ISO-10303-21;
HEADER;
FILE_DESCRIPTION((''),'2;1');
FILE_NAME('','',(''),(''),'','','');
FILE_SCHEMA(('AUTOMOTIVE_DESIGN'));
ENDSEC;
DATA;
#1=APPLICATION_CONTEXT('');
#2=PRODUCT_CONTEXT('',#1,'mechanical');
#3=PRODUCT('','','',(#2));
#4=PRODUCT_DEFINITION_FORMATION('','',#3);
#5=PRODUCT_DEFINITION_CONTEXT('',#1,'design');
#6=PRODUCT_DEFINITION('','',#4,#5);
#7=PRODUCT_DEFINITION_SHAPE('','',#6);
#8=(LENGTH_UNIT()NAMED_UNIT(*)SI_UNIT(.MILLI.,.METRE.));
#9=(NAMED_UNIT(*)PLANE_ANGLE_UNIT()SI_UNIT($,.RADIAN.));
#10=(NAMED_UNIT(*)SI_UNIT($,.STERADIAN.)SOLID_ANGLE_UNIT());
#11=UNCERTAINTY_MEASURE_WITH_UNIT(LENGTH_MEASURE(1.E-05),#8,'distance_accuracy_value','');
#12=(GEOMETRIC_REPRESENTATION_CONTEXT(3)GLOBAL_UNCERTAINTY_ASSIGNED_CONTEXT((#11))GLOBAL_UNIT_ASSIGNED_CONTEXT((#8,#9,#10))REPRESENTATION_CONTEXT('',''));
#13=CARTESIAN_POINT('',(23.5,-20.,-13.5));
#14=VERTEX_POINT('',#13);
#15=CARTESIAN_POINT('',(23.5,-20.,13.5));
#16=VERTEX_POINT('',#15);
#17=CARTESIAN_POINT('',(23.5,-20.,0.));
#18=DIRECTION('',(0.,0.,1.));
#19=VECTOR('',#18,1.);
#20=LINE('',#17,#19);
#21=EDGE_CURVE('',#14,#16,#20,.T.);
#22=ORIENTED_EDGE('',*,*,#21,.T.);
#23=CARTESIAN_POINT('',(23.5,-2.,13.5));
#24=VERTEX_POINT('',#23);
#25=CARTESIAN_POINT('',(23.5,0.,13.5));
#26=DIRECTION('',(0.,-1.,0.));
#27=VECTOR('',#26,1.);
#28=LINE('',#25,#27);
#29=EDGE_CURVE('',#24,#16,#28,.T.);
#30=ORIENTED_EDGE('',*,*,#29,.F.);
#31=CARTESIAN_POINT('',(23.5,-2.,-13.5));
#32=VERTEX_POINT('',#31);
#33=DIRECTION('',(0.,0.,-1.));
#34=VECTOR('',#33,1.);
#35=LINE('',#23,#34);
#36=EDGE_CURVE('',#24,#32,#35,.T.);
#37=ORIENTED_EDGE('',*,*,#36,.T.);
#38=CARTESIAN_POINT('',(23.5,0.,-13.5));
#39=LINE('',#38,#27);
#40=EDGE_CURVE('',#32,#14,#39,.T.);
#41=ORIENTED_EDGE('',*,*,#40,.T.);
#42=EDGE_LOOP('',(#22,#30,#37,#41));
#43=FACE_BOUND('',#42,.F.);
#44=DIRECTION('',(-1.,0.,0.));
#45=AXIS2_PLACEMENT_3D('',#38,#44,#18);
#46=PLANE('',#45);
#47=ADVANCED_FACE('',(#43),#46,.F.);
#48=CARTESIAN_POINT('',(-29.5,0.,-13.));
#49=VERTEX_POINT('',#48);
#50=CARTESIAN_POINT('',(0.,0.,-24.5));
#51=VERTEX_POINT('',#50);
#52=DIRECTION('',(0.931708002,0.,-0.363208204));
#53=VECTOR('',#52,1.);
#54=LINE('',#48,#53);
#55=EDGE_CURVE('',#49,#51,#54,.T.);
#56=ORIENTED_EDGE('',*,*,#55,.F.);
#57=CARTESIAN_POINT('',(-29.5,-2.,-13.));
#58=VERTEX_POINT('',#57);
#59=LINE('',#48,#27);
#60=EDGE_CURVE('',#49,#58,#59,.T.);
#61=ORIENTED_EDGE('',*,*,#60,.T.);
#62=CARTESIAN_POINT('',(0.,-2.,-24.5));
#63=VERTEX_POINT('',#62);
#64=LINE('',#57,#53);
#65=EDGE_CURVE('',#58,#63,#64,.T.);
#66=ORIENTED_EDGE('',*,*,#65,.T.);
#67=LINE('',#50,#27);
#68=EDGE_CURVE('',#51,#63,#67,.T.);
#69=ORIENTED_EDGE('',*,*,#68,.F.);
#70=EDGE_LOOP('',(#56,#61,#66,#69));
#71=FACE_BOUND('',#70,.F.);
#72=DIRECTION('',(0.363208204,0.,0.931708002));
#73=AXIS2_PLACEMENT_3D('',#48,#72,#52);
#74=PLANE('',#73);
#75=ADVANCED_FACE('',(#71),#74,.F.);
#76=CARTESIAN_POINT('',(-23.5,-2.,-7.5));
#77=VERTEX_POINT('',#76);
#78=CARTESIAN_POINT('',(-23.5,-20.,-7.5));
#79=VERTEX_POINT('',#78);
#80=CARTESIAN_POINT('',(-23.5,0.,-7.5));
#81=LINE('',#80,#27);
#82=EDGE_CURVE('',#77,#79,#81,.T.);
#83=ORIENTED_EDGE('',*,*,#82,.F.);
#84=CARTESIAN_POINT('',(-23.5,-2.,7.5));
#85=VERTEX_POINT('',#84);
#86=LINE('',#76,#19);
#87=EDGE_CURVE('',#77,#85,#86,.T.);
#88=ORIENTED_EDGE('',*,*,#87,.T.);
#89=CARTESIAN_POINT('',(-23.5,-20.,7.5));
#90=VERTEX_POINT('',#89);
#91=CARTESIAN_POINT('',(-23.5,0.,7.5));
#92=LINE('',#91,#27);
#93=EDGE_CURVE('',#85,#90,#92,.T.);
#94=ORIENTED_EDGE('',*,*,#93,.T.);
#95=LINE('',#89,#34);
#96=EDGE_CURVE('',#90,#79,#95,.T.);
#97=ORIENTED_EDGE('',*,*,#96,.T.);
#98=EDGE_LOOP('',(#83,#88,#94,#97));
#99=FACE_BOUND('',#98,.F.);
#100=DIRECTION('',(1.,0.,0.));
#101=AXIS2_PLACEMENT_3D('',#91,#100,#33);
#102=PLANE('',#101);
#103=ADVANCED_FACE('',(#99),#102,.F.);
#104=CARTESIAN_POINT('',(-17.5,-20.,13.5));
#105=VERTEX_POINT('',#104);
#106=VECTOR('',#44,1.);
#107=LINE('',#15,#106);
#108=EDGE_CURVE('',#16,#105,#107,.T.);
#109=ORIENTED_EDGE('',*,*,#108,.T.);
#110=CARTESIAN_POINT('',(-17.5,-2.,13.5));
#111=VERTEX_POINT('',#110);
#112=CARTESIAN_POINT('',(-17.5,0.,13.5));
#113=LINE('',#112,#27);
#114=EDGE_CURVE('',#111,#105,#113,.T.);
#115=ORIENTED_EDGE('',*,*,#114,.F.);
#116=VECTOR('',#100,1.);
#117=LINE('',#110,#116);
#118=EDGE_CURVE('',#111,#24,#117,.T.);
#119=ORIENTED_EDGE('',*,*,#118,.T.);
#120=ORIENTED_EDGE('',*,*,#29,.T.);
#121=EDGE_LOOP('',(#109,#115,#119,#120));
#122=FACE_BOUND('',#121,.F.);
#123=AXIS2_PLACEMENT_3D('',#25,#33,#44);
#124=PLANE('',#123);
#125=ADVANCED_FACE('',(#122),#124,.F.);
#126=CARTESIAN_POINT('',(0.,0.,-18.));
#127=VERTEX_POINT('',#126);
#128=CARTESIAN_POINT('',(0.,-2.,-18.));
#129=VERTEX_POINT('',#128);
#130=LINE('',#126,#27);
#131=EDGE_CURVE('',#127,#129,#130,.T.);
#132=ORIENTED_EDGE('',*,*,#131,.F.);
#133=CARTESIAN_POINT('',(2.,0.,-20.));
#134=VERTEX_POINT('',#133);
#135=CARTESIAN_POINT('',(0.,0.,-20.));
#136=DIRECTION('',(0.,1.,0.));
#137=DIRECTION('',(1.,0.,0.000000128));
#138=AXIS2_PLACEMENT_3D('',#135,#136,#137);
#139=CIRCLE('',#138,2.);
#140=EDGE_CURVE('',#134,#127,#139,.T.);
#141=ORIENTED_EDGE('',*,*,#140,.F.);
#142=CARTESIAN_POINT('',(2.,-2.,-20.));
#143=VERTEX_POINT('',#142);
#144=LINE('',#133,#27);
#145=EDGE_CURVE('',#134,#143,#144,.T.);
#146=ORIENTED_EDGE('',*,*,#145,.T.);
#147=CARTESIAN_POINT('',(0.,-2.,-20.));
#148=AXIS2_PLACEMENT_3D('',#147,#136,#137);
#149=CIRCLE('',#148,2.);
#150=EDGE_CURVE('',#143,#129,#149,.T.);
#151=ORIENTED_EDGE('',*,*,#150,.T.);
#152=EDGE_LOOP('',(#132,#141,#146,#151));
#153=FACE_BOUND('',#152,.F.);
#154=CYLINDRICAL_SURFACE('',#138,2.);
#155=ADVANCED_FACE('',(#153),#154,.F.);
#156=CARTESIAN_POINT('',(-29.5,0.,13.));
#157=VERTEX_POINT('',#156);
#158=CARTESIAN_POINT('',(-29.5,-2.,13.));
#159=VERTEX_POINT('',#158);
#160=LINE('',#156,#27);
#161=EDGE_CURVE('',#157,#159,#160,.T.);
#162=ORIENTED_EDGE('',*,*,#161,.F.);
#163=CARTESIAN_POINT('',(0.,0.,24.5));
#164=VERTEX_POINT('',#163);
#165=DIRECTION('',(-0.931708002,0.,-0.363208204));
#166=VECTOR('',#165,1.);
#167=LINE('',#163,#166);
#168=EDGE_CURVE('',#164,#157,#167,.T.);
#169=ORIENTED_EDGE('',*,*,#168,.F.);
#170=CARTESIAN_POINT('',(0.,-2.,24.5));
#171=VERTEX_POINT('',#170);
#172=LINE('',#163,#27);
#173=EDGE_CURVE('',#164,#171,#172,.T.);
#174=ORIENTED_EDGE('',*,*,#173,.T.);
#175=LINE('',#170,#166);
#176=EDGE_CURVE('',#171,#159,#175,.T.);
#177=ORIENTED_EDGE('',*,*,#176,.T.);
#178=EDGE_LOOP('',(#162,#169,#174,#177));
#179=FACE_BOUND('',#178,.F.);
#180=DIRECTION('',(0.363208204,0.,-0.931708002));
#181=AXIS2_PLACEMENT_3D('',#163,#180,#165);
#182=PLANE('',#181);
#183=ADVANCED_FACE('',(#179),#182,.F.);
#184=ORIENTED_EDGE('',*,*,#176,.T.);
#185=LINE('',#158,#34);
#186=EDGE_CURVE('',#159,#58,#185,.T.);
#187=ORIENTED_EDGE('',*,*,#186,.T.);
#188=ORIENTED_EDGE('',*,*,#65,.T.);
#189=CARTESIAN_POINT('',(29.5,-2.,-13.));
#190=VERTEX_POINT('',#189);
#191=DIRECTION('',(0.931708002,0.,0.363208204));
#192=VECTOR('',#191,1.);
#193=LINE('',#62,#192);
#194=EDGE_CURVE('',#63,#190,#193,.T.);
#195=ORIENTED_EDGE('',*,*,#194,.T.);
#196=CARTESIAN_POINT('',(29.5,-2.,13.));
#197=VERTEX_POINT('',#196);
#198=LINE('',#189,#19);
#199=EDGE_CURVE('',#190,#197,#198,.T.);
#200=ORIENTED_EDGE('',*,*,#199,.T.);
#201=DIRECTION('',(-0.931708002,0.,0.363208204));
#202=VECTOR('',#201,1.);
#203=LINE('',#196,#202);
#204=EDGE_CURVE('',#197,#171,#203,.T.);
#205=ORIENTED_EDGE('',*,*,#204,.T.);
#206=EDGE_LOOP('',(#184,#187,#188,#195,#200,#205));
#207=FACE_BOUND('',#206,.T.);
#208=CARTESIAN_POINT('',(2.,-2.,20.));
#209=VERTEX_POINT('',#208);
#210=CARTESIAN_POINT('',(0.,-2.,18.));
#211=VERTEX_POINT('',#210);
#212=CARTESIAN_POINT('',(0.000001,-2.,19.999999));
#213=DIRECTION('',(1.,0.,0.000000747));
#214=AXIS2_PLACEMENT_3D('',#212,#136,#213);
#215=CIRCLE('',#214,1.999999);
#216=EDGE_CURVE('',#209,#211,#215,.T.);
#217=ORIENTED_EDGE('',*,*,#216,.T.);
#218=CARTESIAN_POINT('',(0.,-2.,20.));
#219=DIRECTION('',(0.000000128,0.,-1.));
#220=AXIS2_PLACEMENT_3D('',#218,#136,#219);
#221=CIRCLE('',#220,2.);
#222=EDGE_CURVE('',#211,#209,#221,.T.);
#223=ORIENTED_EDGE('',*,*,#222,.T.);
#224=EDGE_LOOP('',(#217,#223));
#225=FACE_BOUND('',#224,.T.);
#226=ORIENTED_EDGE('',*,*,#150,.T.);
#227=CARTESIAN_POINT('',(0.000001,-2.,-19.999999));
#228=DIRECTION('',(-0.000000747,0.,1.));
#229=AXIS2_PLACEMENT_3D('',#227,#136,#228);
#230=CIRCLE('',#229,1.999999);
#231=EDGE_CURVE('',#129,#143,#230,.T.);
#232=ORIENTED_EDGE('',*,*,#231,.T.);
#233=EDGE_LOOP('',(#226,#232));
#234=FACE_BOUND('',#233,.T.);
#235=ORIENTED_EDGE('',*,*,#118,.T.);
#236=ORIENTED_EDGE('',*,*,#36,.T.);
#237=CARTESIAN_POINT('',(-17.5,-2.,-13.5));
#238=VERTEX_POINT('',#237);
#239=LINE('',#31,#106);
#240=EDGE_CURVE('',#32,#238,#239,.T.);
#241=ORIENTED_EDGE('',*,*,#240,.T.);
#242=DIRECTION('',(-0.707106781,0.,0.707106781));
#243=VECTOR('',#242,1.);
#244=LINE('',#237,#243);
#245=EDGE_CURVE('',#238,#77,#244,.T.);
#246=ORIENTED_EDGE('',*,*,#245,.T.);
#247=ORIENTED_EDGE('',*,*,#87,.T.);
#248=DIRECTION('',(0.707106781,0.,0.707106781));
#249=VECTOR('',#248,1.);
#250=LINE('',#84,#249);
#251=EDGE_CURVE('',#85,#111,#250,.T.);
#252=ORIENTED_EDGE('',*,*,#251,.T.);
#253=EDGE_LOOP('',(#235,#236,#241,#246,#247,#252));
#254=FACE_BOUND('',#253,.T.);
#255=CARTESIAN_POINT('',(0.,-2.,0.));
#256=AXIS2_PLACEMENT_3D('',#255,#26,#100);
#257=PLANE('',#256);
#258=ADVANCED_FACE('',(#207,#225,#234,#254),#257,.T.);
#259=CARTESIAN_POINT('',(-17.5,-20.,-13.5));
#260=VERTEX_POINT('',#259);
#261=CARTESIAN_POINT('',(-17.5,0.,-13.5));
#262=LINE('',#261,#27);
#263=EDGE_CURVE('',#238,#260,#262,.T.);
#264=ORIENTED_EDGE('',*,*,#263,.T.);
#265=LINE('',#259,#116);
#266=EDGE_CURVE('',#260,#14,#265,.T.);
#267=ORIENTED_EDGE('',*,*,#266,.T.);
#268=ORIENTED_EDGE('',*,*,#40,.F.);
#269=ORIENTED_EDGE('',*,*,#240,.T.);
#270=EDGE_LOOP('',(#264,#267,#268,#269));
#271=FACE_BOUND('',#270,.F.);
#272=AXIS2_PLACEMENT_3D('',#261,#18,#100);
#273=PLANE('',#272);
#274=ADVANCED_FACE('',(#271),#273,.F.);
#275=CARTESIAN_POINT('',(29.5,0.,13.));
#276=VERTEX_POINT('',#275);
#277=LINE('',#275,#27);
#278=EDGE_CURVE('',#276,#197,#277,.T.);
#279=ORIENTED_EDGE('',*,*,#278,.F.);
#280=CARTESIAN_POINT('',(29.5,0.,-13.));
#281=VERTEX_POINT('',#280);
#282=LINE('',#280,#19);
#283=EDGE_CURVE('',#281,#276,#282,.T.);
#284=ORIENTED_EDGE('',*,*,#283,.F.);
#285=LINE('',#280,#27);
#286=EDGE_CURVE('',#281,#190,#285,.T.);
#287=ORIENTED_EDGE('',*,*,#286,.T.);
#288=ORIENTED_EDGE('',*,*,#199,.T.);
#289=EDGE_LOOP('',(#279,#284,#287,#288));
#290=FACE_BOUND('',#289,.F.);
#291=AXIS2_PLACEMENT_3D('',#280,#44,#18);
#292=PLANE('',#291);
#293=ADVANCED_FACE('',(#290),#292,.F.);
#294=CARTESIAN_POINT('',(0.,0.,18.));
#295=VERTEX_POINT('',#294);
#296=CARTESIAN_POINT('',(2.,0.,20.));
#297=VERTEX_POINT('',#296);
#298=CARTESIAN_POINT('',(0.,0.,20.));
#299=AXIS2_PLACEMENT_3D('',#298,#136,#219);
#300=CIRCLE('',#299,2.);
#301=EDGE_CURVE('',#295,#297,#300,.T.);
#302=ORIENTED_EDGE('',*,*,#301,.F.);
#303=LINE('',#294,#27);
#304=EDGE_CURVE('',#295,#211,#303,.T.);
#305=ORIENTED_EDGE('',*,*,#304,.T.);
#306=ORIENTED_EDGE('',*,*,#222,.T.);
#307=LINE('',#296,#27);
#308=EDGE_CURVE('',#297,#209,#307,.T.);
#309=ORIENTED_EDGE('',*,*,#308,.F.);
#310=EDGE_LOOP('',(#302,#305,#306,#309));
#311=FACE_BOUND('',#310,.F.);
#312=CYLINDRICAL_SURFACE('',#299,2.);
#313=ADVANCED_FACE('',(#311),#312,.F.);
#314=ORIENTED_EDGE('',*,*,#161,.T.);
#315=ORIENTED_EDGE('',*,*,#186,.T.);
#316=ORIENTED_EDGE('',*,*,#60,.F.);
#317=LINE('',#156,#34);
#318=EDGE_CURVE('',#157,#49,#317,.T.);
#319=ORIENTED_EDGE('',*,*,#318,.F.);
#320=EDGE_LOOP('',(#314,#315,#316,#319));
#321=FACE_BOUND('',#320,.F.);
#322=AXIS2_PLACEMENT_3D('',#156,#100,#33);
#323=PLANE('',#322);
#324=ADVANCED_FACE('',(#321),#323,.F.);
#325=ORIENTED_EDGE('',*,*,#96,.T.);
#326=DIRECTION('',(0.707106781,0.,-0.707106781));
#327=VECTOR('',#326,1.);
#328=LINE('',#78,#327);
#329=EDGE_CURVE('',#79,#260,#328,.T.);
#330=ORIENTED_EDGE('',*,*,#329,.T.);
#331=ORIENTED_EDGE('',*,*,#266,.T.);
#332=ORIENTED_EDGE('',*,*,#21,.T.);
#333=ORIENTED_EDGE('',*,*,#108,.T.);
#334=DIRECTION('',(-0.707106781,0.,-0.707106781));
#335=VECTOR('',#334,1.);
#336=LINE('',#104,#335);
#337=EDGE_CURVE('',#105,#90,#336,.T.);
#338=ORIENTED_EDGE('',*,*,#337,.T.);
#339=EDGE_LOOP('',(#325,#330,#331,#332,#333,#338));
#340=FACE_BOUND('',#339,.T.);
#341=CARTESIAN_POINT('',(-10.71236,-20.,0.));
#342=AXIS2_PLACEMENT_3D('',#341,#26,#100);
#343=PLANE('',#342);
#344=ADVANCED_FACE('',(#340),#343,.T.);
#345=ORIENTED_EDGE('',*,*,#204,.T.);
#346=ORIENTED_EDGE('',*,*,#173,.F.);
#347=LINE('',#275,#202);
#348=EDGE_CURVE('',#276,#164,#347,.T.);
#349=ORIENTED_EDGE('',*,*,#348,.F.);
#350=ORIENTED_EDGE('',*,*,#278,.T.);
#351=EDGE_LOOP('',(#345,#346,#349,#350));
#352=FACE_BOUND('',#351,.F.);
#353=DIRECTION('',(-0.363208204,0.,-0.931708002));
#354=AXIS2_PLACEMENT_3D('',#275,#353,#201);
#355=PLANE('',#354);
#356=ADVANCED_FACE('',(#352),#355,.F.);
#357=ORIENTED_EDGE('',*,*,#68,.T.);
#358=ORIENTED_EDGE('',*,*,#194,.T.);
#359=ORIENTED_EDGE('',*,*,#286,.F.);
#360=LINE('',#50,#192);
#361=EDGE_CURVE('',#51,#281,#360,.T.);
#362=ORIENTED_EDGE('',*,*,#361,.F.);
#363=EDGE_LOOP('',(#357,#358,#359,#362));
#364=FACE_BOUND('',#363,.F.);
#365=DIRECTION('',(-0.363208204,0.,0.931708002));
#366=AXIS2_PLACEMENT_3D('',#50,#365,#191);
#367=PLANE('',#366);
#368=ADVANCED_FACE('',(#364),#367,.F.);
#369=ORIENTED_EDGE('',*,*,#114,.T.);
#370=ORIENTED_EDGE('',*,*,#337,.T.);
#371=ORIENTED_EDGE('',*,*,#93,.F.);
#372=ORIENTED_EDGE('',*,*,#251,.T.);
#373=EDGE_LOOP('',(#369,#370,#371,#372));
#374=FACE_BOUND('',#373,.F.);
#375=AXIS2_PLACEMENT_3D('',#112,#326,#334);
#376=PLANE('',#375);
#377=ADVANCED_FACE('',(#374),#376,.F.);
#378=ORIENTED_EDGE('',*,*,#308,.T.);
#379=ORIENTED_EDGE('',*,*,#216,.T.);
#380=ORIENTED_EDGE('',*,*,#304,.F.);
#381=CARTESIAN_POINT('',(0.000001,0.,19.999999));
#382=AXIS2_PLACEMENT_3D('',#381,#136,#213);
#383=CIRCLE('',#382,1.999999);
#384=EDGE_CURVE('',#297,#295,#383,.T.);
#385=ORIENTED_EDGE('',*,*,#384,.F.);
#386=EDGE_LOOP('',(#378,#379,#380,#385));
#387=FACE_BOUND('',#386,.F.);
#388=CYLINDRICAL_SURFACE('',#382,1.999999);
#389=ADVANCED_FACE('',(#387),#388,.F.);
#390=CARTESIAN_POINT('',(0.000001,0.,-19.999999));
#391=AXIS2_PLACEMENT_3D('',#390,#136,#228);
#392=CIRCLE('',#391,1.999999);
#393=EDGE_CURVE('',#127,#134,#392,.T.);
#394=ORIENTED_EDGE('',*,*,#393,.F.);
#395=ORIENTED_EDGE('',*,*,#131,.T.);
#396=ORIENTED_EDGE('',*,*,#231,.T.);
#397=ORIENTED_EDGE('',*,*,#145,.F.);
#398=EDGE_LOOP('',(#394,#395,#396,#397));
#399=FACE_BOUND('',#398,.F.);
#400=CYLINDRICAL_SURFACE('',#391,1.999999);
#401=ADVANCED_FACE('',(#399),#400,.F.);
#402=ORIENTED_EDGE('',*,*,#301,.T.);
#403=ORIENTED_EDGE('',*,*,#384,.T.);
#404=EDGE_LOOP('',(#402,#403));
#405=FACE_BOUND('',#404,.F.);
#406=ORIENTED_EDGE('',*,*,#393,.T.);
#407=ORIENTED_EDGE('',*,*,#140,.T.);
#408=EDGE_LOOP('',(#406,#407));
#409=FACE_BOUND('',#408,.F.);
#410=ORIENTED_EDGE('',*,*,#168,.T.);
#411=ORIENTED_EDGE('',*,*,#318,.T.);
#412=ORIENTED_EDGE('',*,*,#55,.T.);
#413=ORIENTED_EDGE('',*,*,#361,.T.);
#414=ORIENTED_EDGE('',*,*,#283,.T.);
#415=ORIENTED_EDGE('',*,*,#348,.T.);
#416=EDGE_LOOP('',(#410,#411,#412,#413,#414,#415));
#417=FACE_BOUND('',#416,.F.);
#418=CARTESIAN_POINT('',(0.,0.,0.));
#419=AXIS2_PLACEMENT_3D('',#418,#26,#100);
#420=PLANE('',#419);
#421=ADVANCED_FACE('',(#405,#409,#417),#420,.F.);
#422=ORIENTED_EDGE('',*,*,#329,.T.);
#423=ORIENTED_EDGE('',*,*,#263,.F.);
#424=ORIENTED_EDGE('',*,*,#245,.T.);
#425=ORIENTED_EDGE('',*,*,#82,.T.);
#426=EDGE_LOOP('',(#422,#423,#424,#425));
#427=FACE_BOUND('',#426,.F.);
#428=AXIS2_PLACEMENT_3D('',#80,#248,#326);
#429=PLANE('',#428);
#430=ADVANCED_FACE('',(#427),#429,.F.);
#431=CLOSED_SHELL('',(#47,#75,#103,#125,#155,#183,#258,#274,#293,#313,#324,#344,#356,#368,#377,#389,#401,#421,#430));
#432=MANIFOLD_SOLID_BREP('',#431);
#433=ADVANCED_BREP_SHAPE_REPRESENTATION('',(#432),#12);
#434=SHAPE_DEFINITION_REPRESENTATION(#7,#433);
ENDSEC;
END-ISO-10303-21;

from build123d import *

# Parameters (mm, degrees)
F1_DEPTH = 2
F0_W     = 23.5
F0_H     = 27
F2_DEPTH = 20


with BuildPart() as f1:
    # F0 (on Front) → F1 (new body)
    with BuildSketch(Plane.XZ):
        Polygon((0, 24.5), (-29.5, 13), (-29.5, -13), (0, -24.5), (29.5, -13), (29.5, 13), align=None)
        with BuildLine():
            ThreePointArc((2, -20), (-1.414214, -21.414214), (0, -18))
            ThreePointArc((0, -18), (1.414214, -18.585786), (2, -20))
        make_face(mode=Mode.SUBTRACT)
        Polygon((-17.5, 13.5), (0, 13.5), (23.5, 13.5), (23.5, -13.5), (0, -13.5), (-17.5, -13.5), (-23.5, -7.5), (-23.5, 7.5), align=None, mode=Mode.SUBTRACT)
        with BuildLine():
            ThreePointArc((0, 18), (-1.414214, 21.414214), (2, 20))
            ThreePointArc((2, 20), (1.414214, 18.585786), (0, 18))
        make_face(mode=Mode.SUBTRACT)
    extrude(amount=F1_DEPTH)

    # F0 (on Front) → F2 (join)
    with BuildSketch(Plane.XZ):
        Polygon((0, -13.5), (0, 13.5), (-17.5, 13.5), (-23.5, 7.5), (-23.5, -7.5), (-17.5, -13.5), align=None)
        with Locations((11.75, 0)):
            Rectangle(F0_W, F0_H)
    extrude(amount=F2_DEPTH)


solid = f1.part
